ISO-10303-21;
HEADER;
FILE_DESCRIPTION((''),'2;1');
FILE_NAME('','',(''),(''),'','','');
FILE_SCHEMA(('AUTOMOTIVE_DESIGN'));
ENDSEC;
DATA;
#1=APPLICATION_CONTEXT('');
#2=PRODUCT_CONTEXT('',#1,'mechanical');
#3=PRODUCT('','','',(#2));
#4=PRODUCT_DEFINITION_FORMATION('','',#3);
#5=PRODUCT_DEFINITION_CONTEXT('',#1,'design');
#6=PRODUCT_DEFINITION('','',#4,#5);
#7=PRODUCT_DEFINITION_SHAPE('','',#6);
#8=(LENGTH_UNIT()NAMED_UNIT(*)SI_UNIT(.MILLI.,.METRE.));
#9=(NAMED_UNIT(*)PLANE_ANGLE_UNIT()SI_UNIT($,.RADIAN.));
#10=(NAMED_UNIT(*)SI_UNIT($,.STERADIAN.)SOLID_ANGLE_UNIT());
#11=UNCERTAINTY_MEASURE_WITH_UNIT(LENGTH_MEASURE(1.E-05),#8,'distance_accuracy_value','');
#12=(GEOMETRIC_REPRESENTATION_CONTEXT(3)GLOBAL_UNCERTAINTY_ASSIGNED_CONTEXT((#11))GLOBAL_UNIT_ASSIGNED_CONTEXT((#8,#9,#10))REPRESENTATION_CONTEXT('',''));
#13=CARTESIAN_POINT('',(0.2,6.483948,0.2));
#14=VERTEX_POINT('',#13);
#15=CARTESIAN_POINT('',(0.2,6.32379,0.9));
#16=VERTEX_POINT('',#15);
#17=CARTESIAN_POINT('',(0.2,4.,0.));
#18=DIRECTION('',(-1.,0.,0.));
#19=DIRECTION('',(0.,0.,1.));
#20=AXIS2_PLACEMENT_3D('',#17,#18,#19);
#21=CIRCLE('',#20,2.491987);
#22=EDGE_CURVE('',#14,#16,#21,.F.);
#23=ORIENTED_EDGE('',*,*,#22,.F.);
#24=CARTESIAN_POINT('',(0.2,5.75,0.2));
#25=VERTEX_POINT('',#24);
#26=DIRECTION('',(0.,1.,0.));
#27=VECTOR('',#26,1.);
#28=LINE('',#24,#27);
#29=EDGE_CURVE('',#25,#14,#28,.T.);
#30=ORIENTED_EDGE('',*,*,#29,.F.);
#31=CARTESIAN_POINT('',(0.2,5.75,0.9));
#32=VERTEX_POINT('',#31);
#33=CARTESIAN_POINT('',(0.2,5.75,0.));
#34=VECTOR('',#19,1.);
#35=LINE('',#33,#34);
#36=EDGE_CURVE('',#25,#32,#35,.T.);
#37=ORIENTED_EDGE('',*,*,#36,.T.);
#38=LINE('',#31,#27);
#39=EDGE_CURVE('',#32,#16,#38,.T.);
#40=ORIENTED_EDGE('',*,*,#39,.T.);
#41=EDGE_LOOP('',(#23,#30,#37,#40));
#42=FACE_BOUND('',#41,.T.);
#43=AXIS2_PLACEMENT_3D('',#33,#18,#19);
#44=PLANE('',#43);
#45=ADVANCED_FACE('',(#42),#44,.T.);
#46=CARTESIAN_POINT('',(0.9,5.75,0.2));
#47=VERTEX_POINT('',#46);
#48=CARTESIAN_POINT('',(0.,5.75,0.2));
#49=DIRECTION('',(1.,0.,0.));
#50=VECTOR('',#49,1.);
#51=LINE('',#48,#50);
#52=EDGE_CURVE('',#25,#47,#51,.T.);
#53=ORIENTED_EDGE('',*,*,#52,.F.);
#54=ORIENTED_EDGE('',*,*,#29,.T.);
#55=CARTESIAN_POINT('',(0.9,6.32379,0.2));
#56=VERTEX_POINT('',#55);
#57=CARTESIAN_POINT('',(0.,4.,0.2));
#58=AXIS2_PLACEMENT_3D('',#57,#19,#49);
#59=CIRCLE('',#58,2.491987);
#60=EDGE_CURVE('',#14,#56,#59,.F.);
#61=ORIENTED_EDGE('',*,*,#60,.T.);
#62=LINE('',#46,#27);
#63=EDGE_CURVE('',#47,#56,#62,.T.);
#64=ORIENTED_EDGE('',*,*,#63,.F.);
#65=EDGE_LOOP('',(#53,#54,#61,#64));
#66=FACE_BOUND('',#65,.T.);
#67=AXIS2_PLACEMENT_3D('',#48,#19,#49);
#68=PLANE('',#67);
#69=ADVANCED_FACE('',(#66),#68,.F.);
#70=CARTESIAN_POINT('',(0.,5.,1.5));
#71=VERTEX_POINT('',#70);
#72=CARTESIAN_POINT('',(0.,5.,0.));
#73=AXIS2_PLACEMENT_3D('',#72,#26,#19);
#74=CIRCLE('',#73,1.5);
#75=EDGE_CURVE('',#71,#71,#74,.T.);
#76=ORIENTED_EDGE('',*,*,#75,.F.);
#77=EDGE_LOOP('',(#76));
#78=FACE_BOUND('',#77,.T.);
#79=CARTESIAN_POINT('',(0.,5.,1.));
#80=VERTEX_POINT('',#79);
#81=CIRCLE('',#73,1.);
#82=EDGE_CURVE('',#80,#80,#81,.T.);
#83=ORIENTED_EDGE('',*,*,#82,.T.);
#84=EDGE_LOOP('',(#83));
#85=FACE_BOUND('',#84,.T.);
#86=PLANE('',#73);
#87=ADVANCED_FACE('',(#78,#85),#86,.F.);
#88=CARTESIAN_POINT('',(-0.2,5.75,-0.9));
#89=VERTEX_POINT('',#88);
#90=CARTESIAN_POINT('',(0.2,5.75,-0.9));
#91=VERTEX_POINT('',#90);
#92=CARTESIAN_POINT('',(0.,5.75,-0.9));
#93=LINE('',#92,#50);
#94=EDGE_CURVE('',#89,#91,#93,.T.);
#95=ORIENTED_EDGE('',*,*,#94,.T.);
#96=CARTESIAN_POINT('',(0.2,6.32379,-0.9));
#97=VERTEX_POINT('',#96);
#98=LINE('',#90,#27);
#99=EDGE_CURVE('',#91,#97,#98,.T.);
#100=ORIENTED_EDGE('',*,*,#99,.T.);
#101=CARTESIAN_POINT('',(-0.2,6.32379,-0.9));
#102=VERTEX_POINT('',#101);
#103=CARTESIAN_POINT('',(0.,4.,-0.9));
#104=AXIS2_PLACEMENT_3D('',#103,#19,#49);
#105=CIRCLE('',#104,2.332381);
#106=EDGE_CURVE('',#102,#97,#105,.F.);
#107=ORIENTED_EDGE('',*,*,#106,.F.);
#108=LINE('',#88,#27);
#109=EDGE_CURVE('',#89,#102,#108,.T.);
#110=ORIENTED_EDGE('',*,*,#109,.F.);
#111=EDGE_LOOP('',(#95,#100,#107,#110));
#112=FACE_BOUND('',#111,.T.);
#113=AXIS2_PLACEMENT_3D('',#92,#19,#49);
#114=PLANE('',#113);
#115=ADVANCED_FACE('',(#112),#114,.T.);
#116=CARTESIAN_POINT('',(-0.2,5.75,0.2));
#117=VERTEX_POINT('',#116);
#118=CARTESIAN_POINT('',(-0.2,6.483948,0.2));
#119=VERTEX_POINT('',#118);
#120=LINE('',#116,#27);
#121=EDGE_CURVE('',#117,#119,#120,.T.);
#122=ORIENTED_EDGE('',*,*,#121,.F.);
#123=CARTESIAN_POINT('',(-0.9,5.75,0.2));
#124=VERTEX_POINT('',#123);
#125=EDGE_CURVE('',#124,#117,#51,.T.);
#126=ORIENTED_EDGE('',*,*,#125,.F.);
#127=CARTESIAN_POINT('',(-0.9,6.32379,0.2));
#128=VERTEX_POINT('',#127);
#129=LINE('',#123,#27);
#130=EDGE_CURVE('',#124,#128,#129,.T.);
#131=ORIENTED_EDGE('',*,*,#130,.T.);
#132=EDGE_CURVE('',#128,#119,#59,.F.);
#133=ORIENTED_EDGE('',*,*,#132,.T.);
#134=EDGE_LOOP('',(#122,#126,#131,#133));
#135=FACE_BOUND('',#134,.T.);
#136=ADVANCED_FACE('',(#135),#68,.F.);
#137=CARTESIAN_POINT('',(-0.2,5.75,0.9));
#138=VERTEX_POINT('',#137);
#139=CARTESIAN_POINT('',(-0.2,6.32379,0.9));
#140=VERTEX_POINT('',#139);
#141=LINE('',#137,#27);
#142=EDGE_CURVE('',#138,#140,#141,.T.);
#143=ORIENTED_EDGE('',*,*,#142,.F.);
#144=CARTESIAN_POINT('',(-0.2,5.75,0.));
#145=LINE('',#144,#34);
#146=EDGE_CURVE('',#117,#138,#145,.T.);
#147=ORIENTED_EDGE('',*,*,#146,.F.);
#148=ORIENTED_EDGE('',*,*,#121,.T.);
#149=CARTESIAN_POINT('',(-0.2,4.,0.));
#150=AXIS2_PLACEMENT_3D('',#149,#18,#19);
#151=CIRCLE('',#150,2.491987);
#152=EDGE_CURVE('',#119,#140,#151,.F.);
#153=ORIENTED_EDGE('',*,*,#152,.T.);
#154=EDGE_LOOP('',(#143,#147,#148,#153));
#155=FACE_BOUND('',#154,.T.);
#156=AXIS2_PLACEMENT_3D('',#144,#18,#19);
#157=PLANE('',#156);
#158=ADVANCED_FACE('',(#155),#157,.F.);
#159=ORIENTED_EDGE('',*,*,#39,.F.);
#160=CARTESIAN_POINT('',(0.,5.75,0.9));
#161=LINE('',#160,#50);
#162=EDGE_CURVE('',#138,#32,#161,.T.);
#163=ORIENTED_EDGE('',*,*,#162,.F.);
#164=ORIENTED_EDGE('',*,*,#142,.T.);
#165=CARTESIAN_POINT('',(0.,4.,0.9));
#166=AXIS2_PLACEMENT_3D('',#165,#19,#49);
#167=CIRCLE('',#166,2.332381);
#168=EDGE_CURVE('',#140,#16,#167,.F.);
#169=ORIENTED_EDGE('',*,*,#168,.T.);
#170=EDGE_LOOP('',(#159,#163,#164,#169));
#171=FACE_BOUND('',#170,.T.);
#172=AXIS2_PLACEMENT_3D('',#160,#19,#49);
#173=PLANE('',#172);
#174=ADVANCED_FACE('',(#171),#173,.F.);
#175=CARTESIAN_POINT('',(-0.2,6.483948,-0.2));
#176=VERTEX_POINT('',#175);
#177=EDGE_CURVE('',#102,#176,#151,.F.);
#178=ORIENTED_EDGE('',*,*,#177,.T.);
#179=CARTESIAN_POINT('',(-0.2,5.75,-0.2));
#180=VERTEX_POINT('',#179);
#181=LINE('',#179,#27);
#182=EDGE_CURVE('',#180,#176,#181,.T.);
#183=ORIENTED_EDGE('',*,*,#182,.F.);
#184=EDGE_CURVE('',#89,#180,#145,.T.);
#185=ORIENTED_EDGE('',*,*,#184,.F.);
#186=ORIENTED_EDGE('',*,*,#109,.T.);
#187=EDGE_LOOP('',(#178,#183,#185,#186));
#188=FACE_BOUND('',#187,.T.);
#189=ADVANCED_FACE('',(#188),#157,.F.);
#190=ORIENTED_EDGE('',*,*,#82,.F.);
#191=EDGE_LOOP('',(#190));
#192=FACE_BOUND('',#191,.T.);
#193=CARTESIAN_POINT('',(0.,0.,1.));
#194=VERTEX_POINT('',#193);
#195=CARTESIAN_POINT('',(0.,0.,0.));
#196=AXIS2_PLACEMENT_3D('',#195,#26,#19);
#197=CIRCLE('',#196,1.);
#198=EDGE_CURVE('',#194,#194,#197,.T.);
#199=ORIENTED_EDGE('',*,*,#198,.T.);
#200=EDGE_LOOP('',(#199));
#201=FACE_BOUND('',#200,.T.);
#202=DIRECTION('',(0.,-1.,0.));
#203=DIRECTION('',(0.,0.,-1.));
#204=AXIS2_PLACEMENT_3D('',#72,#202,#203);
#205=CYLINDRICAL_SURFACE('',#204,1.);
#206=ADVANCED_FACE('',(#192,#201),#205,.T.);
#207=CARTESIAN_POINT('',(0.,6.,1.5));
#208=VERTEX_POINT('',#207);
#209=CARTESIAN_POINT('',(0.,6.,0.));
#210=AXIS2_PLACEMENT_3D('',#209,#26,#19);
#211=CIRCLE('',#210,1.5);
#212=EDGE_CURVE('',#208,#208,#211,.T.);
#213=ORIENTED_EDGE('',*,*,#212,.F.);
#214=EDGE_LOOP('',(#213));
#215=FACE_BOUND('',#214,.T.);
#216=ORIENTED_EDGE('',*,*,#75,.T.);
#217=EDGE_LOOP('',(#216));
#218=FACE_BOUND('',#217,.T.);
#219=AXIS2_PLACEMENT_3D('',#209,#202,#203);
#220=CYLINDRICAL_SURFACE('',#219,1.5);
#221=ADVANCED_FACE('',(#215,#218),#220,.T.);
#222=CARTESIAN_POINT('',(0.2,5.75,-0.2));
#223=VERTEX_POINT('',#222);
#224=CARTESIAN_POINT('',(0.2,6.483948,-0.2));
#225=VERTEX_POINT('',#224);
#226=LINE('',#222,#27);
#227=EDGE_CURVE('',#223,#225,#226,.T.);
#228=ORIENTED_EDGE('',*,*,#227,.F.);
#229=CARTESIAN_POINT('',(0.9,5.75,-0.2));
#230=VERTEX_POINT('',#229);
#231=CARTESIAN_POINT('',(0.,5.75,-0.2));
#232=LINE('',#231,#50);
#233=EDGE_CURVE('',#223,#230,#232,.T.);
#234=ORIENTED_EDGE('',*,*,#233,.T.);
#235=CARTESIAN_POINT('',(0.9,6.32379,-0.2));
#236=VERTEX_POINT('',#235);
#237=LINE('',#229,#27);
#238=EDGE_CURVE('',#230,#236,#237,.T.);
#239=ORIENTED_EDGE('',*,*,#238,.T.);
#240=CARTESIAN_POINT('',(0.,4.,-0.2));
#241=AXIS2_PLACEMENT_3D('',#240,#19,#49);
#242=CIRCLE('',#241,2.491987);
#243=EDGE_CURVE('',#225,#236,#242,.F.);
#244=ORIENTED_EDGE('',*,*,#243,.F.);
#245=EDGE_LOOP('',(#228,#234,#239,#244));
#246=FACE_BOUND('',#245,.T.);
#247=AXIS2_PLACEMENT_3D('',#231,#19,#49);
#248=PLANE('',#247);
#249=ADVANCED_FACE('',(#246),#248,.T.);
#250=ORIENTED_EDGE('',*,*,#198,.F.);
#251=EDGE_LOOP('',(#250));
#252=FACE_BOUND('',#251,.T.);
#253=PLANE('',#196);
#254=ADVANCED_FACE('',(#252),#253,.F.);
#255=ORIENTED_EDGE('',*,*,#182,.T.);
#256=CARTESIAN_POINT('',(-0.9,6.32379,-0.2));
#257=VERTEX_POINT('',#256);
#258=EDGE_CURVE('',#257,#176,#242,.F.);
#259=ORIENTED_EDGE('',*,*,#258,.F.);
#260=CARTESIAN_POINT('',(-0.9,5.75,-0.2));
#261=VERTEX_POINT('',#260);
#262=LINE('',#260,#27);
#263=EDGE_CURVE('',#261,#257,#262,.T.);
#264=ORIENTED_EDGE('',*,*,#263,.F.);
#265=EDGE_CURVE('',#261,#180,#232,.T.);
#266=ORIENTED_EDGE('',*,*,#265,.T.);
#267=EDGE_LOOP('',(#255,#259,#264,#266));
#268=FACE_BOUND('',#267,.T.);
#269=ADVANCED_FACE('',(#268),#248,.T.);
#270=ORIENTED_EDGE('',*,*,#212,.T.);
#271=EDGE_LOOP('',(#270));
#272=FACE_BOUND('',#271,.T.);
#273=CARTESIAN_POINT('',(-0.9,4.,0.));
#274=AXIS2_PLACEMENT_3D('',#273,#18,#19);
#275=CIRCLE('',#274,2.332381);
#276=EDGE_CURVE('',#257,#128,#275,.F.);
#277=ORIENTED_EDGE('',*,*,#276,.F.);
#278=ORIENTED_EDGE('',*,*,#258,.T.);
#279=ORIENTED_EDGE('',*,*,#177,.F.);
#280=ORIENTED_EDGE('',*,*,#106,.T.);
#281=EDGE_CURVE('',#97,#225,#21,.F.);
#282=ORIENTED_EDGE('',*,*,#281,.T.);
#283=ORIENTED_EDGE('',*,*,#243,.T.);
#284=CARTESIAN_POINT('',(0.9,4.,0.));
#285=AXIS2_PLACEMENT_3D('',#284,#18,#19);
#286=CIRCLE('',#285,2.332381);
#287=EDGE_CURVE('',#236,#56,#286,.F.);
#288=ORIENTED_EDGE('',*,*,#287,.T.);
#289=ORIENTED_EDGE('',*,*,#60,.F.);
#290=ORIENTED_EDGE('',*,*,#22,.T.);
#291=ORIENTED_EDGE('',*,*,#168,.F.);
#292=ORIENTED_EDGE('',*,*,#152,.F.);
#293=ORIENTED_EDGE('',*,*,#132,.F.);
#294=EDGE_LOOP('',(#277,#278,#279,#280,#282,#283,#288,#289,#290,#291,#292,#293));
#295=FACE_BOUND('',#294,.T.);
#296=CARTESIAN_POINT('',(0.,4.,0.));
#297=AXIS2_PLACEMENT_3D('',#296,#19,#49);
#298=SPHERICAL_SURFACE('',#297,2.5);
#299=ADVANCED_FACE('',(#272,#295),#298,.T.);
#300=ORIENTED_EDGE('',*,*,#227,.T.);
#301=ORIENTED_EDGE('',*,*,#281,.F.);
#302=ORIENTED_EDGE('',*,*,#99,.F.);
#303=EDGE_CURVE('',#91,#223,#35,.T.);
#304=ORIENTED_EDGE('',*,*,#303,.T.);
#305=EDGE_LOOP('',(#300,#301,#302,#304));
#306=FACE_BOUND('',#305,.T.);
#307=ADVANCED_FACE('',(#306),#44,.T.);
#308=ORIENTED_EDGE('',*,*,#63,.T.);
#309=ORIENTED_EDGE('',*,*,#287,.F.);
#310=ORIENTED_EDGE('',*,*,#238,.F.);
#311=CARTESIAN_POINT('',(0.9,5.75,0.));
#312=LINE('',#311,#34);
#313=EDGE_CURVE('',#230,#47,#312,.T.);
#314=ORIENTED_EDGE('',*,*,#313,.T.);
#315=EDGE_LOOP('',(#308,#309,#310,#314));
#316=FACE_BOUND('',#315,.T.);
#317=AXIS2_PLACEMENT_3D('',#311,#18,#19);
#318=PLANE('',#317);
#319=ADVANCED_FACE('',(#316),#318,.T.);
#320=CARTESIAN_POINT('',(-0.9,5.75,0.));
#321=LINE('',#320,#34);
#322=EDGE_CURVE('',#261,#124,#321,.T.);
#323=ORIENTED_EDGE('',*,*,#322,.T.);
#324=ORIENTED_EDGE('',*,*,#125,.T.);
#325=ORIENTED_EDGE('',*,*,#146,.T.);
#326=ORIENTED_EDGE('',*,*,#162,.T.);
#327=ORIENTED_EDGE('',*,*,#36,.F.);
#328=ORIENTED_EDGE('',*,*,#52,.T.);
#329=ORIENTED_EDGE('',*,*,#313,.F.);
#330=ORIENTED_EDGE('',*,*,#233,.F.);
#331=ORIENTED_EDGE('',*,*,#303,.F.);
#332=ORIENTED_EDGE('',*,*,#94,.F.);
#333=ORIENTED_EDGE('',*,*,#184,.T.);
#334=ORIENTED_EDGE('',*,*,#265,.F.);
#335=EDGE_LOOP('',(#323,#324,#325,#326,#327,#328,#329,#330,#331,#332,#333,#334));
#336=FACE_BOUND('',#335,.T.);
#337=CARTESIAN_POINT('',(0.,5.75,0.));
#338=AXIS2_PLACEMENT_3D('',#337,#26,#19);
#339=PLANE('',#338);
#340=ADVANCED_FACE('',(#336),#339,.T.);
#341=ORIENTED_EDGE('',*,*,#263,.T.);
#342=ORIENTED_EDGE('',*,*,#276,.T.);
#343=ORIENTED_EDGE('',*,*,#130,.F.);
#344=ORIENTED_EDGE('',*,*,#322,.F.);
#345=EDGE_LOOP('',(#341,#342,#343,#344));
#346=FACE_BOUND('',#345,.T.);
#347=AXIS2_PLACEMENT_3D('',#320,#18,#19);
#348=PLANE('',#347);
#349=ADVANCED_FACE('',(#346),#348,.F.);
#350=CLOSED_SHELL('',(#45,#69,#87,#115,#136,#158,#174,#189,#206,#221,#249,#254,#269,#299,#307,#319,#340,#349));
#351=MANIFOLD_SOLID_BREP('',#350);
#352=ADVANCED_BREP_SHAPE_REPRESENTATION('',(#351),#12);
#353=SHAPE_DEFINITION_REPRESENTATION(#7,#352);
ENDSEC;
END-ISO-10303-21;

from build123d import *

# Parameters (mm, degrees)
SKETCH1_R           = 1
BOSS_EXTRUDE1_DEPTH = 5
SKETCH2_R           = 1.5
BOSS_EXTRUDE2_DEPTH = 1
DOME1_FACE_RADIUS   = 1.5
DOME1_HEIGHT        = 0.5
SKETCH3_W           = 0.7
SKETCH3_H           = 0.4
SKETCH3_W_2         = 0.4
SKETCH3_H_2         = 0.7
CUT_EXTRUDE1_DEPTH  = 0.75


with BuildPart() as part:
    # Sketch1 → Boss-Extrude1 (new body)
    with BuildSketch(Plane(origin=(0, 0, 0), x_dir=(1, 0, 0), z_dir=(0, 1, 0))):
        Circle(SKETCH1_R)
    extrude(amount=BOSS_EXTRUDE1_DEPTH)

    # Sketch2 → Boss-Extrude2 (add)
    with BuildSketch(Plane(origin=(0, 5, 0), x_dir=(1, 0, 0), z_dir=(0, 1, 0))):
        Circle(SKETCH2_R)
    extrude(amount=BOSS_EXTRUDE2_DEPTH)

    # Dome1: a dome of height H over a round flat face of radius A is a cap of a sphere of radius (A * A + H * H) / (2 * H)
    dome1_r = (DOME1_FACE_RADIUS * DOME1_FACE_RADIUS + DOME1_HEIGHT * DOME1_HEIGHT) / (2 * DOME1_HEIGHT)
    dome1_base = Plane((0, 6, 0), z_dir=(0, 1, 0))
    with Locations(dome1_base.offset(DOME1_HEIGHT - dome1_r)):
        dome1_ball = Sphere(dome1_r, mode=Mode.PRIVATE)
    add(split(dome1_ball, bisect_by=dome1_base, keep=Keep.TOP, mode=Mode.PRIVATE))

    # Sketch3 → Cut-Extrude1 (cut)
    with BuildSketch(Plane(origin=(0, 6.5, 0), x_dir=(1, 0, 0), z_dir=(0, 1, 0))):
        with Locations((-0.55, 0)):
            Rectangle(SKETCH3_W, SKETCH3_H)
        Rectangle(SKETCH3_W_2, SKETCH3_H)
        with Locations((0, 0.55)):
            Rectangle(SKETCH3_W_2, SKETCH3_H_2)
        with Locations((0.55, 0)):
            Rectangle(SKETCH3_W, SKETCH3_H)
        with Locations((0, -0.55)):
            Rectangle(SKETCH3_W_2, SKETCH3_H_2)
    extrude(amount=-CUT_EXTRUDE1_DEPTH, mode=Mode.SUBTRACT)


solid = part.part
